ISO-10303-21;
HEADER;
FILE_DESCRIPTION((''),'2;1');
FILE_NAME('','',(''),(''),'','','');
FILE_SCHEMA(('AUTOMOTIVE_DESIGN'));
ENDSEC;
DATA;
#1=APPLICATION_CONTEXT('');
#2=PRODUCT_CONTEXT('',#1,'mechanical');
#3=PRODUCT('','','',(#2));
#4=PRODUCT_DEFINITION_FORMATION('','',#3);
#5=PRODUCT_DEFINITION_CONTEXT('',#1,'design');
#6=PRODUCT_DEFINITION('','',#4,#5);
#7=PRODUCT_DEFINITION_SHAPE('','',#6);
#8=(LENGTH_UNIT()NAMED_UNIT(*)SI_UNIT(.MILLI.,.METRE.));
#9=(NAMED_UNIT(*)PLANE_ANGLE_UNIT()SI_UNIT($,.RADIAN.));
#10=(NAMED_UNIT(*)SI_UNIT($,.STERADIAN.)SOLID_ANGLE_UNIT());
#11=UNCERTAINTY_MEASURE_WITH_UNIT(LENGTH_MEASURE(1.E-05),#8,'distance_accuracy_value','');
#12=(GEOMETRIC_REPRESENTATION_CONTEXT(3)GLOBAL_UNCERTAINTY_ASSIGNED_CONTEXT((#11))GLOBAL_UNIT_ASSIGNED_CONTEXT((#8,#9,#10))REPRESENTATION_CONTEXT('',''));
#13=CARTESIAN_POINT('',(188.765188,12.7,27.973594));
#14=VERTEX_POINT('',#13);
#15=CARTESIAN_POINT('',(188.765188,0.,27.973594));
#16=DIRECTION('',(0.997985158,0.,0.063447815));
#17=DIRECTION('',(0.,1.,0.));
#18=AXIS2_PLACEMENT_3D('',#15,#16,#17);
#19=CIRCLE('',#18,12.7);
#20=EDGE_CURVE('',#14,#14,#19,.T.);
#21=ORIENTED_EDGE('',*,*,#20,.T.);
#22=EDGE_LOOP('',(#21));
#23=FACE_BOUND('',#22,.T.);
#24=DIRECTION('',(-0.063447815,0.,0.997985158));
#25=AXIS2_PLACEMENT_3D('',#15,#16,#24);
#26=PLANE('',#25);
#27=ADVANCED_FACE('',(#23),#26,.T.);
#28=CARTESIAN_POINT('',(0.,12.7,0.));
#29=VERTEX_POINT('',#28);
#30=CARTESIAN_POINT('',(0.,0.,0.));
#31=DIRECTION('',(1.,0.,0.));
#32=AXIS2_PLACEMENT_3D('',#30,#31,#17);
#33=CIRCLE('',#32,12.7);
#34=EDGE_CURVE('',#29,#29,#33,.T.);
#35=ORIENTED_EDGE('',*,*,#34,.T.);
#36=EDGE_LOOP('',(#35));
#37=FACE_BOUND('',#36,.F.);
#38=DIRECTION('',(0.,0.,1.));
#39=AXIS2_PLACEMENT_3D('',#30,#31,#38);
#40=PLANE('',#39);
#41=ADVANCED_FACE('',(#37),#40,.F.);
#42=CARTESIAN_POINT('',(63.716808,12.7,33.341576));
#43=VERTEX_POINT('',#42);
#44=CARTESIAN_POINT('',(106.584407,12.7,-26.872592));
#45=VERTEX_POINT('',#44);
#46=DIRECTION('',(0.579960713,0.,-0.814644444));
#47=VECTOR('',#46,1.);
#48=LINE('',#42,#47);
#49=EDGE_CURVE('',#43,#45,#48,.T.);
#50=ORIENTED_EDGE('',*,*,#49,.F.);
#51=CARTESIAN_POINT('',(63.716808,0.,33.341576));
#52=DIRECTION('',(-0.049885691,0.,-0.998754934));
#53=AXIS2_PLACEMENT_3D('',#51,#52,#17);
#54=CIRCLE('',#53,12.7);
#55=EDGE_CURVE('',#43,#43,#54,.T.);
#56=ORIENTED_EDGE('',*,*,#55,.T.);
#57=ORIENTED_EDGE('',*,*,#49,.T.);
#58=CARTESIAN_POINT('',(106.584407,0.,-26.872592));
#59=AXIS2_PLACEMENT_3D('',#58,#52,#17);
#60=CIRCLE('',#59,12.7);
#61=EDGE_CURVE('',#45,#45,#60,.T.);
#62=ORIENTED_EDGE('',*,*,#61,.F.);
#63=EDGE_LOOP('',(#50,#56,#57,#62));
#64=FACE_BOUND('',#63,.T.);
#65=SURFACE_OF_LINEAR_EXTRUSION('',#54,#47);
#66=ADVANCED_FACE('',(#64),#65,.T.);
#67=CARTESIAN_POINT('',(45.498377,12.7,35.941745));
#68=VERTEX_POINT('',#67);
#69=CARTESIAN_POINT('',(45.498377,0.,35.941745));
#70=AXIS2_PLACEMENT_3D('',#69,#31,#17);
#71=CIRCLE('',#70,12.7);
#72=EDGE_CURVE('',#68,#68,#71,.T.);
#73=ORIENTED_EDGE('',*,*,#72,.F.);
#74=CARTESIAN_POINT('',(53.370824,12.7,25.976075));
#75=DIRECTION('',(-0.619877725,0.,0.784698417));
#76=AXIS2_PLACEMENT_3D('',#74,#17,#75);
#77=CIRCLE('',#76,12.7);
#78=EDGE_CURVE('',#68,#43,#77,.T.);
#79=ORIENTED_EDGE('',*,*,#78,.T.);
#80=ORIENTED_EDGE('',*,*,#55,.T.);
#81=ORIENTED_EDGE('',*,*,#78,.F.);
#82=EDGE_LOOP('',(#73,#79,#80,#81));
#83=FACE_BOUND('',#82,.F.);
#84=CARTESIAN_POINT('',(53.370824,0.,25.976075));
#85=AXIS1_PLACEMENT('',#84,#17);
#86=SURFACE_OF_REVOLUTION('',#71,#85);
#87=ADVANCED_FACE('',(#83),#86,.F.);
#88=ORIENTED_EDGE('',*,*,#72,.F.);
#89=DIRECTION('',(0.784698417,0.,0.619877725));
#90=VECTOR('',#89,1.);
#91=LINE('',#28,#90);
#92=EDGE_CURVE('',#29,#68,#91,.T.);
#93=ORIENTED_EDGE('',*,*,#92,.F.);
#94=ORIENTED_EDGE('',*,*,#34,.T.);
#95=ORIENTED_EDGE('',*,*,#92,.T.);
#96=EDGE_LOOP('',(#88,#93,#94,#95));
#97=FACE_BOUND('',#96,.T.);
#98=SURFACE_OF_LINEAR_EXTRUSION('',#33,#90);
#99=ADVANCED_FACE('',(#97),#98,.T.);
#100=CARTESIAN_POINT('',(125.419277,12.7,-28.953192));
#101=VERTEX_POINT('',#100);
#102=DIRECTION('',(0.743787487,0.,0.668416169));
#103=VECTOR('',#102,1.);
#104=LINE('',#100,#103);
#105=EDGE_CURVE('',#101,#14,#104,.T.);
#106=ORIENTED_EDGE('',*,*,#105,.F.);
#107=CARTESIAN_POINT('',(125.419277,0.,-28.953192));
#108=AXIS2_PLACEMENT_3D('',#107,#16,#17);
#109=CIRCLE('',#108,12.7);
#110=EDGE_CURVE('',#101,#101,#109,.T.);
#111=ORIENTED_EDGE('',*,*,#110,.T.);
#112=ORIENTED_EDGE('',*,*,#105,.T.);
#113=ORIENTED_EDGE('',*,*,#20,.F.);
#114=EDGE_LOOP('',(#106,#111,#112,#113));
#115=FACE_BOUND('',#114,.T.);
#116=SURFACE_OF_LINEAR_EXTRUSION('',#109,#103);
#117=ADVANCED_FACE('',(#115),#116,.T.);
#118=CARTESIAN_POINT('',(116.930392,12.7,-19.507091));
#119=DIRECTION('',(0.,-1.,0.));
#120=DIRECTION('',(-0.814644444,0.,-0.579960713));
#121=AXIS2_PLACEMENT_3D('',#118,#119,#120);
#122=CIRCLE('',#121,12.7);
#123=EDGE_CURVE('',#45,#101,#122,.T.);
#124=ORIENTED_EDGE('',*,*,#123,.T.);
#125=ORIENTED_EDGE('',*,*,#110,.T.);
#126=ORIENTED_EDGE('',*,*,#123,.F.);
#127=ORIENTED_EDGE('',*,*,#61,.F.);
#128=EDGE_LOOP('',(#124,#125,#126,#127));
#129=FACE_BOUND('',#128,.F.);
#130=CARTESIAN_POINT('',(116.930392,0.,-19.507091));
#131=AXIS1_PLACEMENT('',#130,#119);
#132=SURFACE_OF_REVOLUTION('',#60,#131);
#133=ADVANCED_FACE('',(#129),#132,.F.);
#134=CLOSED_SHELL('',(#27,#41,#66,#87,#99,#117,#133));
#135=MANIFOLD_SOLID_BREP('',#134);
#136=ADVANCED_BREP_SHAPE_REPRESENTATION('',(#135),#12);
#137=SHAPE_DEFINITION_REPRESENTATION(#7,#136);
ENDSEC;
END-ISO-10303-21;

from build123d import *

# Parameters (mm, degrees)
F0_R = 12.7


with BuildPart() as f2:
    # F2: sweep along a path in F1
    with BuildLine(Plane.XZ) as f2_path:
        Line((0, 0), (45.4983765318, 35.9417446334))
        ThreePointArc((45.4983765318, 35.9417446334), (55.1652082788, 38.5486712732), (63.7168080823, 33.3415757938))
        Line((63.7168080823, 33.3415757938), (106.5844073545, -26.8725917944))
        ThreePointArc((106.5844073545, -26.8725917944), (115.5359641811, -32.1303063153), (125.4192771408, -28.9531918158))
        Line((125.4192771408, -28.9531918158), (188.7651884179, 27.9735944876))
    # F0 (on Right) → F2 (sweep)
    with BuildSketch(Plane.YZ):
        Circle(F0_R)
    sweep(path=f2_path.line)


solid = f2.part
